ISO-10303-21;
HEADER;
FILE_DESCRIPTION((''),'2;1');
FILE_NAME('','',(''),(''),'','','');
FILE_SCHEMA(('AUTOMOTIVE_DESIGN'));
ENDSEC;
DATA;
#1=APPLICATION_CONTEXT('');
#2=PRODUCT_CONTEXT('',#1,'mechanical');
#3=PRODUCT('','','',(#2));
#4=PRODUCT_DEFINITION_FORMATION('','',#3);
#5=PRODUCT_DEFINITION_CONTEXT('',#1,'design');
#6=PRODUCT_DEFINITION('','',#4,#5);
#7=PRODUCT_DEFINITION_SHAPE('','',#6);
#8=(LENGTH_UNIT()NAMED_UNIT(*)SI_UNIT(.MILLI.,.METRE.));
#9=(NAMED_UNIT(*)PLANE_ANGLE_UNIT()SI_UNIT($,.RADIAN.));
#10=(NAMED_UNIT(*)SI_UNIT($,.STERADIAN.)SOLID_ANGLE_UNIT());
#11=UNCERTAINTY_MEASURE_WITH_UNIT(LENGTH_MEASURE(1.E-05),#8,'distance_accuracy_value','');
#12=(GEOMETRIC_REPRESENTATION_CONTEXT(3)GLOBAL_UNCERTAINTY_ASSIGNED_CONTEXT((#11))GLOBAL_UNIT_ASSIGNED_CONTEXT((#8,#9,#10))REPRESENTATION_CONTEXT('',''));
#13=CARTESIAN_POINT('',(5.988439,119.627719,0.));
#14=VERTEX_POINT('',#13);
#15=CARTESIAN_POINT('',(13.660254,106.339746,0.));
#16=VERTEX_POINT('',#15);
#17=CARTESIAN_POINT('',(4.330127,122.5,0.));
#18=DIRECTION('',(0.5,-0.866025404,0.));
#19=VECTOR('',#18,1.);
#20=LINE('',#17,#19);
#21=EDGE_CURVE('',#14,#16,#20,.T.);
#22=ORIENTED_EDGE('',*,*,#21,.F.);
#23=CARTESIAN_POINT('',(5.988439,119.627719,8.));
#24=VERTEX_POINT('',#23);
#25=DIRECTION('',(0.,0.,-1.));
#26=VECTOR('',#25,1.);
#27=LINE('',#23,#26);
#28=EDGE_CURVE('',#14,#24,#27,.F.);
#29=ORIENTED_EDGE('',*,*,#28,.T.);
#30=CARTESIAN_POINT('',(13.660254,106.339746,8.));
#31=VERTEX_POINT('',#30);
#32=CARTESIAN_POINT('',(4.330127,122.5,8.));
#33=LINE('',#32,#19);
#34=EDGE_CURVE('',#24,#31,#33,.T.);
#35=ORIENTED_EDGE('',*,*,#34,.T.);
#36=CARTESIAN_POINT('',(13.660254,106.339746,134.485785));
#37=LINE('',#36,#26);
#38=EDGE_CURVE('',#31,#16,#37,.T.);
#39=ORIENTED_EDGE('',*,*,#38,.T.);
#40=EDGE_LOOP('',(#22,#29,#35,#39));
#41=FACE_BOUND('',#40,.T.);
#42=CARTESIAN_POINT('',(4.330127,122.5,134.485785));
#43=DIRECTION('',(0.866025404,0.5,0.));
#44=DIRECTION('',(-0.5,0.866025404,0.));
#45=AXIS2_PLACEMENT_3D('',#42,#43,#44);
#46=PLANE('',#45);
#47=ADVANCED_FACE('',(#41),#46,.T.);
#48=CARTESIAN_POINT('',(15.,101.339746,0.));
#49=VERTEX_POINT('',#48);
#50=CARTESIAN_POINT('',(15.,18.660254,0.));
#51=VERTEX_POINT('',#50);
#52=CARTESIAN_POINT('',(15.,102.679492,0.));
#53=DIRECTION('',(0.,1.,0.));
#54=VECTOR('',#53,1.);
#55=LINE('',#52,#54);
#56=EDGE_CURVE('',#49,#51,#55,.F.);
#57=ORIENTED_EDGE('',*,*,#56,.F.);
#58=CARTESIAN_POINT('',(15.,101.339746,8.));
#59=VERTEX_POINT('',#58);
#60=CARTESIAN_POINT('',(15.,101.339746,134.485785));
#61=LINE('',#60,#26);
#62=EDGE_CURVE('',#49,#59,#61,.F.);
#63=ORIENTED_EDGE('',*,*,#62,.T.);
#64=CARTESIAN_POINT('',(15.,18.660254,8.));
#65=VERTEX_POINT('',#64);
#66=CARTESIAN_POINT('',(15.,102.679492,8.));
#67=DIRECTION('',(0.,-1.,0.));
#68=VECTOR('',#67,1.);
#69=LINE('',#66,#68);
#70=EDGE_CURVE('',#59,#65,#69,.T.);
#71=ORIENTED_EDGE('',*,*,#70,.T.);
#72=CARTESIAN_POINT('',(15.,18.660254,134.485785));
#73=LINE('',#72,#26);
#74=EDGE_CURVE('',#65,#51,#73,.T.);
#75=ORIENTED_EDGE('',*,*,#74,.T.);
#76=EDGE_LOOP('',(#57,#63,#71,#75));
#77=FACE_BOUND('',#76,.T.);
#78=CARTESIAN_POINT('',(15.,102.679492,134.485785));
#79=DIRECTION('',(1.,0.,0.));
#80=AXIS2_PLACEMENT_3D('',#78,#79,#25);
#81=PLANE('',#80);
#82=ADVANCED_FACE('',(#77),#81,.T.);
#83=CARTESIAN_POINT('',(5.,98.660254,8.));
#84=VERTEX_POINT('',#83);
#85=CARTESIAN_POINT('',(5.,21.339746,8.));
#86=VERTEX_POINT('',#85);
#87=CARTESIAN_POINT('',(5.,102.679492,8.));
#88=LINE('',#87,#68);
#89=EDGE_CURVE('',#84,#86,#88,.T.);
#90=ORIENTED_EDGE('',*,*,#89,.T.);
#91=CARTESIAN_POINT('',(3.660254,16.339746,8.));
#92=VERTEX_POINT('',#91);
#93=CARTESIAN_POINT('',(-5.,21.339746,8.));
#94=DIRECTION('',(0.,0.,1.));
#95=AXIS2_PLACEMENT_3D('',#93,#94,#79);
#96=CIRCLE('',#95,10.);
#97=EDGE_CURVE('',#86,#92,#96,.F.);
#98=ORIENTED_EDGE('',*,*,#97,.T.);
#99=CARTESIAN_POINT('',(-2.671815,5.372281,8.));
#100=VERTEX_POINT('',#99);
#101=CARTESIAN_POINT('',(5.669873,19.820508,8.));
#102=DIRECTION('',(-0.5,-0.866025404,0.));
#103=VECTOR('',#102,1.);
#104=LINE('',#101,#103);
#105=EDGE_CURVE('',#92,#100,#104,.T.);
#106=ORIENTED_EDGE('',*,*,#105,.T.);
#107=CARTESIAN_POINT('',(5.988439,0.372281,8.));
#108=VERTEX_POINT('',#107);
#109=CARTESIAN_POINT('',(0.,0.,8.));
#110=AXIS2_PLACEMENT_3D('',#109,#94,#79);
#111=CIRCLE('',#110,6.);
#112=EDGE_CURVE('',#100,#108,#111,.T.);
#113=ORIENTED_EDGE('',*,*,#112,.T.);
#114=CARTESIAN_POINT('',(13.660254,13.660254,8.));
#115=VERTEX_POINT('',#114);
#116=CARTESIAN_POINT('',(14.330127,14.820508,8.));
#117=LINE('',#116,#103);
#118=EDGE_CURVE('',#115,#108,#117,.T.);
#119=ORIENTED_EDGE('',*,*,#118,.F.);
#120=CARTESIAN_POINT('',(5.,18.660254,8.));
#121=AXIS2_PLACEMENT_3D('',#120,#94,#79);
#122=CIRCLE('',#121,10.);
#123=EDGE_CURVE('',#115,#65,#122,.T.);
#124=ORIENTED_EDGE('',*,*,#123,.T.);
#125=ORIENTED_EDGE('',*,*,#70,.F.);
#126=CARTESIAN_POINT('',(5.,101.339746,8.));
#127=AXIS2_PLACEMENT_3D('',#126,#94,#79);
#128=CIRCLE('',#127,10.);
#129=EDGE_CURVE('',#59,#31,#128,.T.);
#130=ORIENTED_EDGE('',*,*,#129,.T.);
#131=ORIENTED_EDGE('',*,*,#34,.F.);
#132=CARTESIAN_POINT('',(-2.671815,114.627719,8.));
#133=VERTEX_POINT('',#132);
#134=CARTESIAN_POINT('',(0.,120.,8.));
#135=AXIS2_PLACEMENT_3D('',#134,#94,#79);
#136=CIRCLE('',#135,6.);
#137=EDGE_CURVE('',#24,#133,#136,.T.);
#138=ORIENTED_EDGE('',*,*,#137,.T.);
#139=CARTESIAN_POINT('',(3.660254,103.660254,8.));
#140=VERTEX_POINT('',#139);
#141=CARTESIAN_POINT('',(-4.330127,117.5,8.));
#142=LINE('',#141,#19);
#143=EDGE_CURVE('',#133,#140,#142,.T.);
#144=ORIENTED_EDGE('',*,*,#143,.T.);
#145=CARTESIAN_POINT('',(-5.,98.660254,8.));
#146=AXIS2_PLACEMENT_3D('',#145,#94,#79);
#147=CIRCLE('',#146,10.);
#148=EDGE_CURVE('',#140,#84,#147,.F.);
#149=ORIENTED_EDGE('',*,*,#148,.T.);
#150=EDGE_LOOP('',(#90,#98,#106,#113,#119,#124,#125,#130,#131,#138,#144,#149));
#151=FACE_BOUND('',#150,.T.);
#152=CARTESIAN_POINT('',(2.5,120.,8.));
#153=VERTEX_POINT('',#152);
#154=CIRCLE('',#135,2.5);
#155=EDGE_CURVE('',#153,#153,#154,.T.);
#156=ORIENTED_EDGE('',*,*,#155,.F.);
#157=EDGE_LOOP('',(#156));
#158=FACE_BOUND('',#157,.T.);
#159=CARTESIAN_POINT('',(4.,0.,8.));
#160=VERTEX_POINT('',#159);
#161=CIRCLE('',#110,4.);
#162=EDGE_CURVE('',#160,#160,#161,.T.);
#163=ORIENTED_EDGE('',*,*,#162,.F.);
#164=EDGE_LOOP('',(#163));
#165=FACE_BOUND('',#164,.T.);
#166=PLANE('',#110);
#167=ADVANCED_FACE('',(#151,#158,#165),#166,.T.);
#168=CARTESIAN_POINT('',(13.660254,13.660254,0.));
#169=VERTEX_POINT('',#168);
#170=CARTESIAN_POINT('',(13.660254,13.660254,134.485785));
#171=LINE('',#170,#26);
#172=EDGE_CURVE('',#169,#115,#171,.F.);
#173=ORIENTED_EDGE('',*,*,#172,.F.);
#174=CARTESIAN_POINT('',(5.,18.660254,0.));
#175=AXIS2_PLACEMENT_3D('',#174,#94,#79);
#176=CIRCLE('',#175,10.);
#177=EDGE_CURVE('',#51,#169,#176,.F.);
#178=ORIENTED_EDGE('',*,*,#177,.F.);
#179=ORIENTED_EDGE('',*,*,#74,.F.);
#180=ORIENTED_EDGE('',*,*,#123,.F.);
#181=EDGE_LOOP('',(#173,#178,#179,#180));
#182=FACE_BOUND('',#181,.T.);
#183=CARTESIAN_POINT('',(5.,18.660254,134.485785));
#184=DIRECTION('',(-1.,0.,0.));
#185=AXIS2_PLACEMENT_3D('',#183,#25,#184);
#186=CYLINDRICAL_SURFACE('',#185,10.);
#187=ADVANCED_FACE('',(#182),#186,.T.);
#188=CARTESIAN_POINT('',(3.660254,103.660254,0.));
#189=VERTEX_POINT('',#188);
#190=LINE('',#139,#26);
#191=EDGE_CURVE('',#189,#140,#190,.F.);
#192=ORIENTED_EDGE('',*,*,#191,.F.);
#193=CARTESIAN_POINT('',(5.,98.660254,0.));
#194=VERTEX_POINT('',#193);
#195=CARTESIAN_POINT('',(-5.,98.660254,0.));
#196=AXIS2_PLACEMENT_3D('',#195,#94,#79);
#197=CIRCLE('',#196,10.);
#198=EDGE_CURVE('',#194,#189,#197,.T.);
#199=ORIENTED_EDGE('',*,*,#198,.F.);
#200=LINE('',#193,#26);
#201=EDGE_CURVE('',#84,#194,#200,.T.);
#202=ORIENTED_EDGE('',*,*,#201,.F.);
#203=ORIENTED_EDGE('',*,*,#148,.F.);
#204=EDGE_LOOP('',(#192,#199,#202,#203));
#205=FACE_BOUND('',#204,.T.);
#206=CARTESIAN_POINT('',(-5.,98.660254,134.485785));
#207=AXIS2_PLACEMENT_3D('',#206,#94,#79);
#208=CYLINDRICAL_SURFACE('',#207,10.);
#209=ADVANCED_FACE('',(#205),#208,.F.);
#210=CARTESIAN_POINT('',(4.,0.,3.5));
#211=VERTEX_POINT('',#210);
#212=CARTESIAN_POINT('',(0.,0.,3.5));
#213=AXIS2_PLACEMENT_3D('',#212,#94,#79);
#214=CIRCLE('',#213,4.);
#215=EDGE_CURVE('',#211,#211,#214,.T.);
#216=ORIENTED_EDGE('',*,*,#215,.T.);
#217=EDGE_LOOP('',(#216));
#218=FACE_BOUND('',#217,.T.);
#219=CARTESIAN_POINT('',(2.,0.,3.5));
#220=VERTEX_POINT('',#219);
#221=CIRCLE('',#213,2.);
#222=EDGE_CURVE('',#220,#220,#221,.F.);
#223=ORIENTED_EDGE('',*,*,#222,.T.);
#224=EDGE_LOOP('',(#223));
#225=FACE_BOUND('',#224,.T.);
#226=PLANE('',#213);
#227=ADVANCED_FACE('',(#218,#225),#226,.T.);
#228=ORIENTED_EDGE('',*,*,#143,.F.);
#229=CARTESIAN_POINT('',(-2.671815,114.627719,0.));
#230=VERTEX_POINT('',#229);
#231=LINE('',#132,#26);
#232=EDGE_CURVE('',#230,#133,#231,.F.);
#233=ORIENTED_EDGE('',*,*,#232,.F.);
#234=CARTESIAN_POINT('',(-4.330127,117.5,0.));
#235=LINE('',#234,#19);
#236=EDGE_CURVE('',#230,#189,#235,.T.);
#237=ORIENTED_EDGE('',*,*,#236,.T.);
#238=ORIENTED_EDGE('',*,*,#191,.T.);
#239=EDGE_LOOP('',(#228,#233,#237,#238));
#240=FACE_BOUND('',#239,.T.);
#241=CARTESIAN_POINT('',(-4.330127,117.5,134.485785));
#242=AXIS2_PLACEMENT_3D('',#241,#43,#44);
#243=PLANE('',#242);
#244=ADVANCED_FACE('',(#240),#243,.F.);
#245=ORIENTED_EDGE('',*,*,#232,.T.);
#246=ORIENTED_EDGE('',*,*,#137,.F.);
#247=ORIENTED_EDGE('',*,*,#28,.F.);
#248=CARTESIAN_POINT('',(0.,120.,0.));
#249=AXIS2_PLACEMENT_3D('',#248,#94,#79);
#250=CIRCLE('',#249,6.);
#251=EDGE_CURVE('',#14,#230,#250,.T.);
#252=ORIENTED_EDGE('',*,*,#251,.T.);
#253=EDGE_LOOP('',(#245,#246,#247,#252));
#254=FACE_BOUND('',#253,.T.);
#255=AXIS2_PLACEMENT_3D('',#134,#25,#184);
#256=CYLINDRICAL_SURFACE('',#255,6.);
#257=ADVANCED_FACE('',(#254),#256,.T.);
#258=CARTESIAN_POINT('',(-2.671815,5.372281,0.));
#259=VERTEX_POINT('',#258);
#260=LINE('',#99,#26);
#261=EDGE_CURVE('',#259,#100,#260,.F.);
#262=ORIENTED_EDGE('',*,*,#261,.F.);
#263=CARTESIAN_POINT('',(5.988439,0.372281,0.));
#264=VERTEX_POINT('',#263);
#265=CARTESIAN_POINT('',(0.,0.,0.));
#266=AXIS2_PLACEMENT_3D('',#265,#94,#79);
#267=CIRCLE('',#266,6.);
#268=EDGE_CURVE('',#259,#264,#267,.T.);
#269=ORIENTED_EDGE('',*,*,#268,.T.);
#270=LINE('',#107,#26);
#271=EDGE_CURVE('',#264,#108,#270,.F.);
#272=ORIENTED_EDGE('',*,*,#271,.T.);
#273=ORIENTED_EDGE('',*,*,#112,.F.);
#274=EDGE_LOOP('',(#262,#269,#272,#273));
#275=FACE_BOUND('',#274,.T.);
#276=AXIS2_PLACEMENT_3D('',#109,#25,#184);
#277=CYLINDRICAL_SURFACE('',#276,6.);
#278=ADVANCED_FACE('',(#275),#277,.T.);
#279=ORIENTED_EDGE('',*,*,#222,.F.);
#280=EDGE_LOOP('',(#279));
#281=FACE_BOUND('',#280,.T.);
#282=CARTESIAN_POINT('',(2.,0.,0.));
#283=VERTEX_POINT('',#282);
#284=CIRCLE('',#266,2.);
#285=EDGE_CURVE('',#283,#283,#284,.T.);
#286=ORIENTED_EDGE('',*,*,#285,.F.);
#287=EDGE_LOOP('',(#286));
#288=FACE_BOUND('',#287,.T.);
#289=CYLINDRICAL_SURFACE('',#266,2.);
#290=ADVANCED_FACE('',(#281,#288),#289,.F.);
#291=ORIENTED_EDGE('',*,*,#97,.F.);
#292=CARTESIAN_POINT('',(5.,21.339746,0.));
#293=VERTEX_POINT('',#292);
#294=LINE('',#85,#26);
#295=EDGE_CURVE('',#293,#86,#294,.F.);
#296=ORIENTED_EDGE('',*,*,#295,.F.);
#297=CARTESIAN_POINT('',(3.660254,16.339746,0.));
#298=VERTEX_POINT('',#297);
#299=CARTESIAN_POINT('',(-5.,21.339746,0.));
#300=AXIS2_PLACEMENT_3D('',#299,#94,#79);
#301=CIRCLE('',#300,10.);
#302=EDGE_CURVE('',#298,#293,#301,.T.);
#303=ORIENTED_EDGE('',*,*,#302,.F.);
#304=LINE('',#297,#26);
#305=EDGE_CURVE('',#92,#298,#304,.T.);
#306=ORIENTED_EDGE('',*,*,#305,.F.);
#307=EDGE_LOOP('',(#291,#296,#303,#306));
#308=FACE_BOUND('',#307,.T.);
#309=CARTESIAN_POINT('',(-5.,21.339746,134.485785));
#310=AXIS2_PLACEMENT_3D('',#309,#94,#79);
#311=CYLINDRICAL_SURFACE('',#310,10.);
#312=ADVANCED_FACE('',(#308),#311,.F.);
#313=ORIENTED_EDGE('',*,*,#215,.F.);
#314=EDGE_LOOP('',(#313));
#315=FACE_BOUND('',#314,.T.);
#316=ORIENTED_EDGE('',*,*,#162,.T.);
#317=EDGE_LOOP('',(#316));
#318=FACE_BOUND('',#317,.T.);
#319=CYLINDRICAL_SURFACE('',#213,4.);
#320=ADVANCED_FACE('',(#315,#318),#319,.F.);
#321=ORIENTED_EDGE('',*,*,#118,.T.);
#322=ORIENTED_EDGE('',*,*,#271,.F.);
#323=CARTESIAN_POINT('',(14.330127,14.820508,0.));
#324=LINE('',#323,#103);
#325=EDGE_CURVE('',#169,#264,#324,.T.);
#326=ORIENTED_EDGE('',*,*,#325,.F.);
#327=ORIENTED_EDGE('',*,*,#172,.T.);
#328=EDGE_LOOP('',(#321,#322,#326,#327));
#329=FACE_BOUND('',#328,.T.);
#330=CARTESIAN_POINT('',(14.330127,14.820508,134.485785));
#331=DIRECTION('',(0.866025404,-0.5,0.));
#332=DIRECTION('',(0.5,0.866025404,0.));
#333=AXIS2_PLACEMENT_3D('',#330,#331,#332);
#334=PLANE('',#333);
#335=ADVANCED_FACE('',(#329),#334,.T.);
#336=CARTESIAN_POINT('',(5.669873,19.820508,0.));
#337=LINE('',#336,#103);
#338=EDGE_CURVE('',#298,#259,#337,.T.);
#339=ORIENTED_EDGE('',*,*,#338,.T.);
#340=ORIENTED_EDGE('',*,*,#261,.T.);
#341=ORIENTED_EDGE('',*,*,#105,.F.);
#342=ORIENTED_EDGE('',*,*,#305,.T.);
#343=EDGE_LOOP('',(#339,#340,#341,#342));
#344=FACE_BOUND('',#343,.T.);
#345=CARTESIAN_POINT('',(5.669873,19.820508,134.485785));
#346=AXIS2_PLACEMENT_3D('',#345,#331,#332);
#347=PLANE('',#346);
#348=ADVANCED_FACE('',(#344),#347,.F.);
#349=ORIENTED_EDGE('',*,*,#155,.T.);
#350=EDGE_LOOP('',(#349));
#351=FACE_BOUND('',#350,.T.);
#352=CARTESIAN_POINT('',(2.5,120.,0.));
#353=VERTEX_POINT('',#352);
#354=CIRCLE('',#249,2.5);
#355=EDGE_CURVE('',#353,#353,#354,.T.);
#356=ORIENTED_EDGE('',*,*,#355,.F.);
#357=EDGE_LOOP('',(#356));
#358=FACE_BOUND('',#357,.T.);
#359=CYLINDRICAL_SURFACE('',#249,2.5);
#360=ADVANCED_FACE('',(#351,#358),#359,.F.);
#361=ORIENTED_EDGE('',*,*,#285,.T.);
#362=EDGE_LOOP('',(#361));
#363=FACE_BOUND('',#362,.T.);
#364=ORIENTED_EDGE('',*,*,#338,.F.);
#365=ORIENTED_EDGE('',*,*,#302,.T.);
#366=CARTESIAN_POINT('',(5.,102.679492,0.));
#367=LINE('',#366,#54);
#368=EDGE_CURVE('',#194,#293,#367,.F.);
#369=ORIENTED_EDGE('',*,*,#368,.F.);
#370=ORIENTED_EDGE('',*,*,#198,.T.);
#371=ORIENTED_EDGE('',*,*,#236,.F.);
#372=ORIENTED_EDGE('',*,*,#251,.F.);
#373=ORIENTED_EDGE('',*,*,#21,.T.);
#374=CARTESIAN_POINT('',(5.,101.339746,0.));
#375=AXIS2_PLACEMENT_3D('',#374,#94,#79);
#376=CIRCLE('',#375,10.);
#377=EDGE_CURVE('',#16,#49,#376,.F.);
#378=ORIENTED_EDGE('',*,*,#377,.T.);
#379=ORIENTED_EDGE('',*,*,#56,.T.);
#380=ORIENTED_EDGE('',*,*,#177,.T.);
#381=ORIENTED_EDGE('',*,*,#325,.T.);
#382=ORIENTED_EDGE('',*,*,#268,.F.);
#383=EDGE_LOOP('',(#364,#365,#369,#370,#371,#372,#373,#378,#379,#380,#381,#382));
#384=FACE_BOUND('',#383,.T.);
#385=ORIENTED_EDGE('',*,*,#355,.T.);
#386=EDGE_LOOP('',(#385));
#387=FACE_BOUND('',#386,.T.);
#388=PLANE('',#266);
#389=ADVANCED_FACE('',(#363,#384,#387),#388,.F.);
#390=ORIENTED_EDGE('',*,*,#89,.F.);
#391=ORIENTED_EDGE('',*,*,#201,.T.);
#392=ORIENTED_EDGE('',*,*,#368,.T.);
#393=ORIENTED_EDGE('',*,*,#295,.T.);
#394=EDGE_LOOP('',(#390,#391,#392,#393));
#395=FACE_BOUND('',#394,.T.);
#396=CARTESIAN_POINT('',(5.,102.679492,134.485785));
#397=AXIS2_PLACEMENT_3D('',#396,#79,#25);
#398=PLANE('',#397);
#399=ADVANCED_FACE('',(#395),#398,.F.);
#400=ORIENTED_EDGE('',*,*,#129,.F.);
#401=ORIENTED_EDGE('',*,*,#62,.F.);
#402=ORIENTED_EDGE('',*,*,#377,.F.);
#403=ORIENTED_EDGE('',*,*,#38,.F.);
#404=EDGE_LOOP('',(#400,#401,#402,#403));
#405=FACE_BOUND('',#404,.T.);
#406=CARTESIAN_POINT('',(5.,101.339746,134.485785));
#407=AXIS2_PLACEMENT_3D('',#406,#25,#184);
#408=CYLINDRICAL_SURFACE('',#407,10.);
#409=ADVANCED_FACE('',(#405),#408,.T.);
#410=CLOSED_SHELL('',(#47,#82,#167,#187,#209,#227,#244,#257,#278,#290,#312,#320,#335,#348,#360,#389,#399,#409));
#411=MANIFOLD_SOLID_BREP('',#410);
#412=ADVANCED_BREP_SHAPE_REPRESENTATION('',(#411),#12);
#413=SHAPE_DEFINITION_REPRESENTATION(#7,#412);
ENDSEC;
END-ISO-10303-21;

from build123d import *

# Parameters (mm, degrees)
SKETCH_1_R          = 6
EXTRUDE_1_DEPTH     = 8
EXTRUDE_1_2_DEPTH   = 8
EXTRUDE_1_3_DEPTH   = 8
SKETCH_3_R          = 2.5
CUT_EXTRUDE_1_DEPTH = 128.141653285
SKETCH_4_R          = 2
CUT_EXTRUDE_2_DEPTH = 128.141653285
SKETCH_5_R          = 4
CUT_EXTRUDE_3_DEPTH = 4.5
FILLET_1_R          = 10


with BuildPart() as part:
    # 草图1 → Extrude 1 (new body)
    with BuildSketch(Plane.XY):
        Circle(SKETCH_1_R)
    extrude(amount=EXTRUDE_1_DEPTH)



with BuildPart() as body_2:
    # 草图1 → Extrude 1 2 (new body)
    with BuildSketch(Plane.XY):
        with Locations((0, 120)):
            Circle(SKETCH_1_R)
    extrude(amount=EXTRUDE_1_2_DEPTH)


with BuildPart() as part_1:
    add(part.part)

    add(body_2.part)  # Extrude 1 3 merges body 2
    # 草图2 → Extrude 1 3 (add)
    with BuildSketch(Plane.XY):
        Polygon((-4.330127019, 117.5), (5, 101.339745962), (5, 18.660254038), (-4.330127019, 2.5), (4.330127019, -2.5), (15, 15.980762114), (15, 104.019237886), (4.330127019, 122.5), align=None)
    extrude(amount=EXTRUDE_1_3_DEPTH)

    # 草图3 → 切除-拉伸1 (cut, through all)
    with BuildSketch(Plane.XY.offset(8)):
        with Locations((0, 120)):
            Circle(SKETCH_3_R)
    extrude(amount=-CUT_EXTRUDE_1_DEPTH, mode=Mode.SUBTRACT)

    # 草图4 → 切除-拉伸2 (cut, through all)
    with BuildSketch(Plane.XY.offset(8)):
        Circle(SKETCH_4_R)
    extrude(amount=-CUT_EXTRUDE_2_DEPTH, mode=Mode.SUBTRACT)

    # 草图5 → 切除-拉伸3 (cut)
    with BuildSketch(Plane.XY.offset(8)):
        Circle(SKETCH_5_R)
    extrude(amount=-CUT_EXTRUDE_3_DEPTH, mode=Mode.SUBTRACT)

    # 圆角1
    fillet_1_edges = [part_1.edges().sort_by_distance(p)[0] for p in [
        (5, 18.660254038, 4),
        (15, 15.980762114, 4),
        (15, 104.019237886, 4),
        (5, 101.339745962, 4),
    ]]
    fillet(fillet_1_edges, radius=FILLET_1_R)


solid = part_1.part
